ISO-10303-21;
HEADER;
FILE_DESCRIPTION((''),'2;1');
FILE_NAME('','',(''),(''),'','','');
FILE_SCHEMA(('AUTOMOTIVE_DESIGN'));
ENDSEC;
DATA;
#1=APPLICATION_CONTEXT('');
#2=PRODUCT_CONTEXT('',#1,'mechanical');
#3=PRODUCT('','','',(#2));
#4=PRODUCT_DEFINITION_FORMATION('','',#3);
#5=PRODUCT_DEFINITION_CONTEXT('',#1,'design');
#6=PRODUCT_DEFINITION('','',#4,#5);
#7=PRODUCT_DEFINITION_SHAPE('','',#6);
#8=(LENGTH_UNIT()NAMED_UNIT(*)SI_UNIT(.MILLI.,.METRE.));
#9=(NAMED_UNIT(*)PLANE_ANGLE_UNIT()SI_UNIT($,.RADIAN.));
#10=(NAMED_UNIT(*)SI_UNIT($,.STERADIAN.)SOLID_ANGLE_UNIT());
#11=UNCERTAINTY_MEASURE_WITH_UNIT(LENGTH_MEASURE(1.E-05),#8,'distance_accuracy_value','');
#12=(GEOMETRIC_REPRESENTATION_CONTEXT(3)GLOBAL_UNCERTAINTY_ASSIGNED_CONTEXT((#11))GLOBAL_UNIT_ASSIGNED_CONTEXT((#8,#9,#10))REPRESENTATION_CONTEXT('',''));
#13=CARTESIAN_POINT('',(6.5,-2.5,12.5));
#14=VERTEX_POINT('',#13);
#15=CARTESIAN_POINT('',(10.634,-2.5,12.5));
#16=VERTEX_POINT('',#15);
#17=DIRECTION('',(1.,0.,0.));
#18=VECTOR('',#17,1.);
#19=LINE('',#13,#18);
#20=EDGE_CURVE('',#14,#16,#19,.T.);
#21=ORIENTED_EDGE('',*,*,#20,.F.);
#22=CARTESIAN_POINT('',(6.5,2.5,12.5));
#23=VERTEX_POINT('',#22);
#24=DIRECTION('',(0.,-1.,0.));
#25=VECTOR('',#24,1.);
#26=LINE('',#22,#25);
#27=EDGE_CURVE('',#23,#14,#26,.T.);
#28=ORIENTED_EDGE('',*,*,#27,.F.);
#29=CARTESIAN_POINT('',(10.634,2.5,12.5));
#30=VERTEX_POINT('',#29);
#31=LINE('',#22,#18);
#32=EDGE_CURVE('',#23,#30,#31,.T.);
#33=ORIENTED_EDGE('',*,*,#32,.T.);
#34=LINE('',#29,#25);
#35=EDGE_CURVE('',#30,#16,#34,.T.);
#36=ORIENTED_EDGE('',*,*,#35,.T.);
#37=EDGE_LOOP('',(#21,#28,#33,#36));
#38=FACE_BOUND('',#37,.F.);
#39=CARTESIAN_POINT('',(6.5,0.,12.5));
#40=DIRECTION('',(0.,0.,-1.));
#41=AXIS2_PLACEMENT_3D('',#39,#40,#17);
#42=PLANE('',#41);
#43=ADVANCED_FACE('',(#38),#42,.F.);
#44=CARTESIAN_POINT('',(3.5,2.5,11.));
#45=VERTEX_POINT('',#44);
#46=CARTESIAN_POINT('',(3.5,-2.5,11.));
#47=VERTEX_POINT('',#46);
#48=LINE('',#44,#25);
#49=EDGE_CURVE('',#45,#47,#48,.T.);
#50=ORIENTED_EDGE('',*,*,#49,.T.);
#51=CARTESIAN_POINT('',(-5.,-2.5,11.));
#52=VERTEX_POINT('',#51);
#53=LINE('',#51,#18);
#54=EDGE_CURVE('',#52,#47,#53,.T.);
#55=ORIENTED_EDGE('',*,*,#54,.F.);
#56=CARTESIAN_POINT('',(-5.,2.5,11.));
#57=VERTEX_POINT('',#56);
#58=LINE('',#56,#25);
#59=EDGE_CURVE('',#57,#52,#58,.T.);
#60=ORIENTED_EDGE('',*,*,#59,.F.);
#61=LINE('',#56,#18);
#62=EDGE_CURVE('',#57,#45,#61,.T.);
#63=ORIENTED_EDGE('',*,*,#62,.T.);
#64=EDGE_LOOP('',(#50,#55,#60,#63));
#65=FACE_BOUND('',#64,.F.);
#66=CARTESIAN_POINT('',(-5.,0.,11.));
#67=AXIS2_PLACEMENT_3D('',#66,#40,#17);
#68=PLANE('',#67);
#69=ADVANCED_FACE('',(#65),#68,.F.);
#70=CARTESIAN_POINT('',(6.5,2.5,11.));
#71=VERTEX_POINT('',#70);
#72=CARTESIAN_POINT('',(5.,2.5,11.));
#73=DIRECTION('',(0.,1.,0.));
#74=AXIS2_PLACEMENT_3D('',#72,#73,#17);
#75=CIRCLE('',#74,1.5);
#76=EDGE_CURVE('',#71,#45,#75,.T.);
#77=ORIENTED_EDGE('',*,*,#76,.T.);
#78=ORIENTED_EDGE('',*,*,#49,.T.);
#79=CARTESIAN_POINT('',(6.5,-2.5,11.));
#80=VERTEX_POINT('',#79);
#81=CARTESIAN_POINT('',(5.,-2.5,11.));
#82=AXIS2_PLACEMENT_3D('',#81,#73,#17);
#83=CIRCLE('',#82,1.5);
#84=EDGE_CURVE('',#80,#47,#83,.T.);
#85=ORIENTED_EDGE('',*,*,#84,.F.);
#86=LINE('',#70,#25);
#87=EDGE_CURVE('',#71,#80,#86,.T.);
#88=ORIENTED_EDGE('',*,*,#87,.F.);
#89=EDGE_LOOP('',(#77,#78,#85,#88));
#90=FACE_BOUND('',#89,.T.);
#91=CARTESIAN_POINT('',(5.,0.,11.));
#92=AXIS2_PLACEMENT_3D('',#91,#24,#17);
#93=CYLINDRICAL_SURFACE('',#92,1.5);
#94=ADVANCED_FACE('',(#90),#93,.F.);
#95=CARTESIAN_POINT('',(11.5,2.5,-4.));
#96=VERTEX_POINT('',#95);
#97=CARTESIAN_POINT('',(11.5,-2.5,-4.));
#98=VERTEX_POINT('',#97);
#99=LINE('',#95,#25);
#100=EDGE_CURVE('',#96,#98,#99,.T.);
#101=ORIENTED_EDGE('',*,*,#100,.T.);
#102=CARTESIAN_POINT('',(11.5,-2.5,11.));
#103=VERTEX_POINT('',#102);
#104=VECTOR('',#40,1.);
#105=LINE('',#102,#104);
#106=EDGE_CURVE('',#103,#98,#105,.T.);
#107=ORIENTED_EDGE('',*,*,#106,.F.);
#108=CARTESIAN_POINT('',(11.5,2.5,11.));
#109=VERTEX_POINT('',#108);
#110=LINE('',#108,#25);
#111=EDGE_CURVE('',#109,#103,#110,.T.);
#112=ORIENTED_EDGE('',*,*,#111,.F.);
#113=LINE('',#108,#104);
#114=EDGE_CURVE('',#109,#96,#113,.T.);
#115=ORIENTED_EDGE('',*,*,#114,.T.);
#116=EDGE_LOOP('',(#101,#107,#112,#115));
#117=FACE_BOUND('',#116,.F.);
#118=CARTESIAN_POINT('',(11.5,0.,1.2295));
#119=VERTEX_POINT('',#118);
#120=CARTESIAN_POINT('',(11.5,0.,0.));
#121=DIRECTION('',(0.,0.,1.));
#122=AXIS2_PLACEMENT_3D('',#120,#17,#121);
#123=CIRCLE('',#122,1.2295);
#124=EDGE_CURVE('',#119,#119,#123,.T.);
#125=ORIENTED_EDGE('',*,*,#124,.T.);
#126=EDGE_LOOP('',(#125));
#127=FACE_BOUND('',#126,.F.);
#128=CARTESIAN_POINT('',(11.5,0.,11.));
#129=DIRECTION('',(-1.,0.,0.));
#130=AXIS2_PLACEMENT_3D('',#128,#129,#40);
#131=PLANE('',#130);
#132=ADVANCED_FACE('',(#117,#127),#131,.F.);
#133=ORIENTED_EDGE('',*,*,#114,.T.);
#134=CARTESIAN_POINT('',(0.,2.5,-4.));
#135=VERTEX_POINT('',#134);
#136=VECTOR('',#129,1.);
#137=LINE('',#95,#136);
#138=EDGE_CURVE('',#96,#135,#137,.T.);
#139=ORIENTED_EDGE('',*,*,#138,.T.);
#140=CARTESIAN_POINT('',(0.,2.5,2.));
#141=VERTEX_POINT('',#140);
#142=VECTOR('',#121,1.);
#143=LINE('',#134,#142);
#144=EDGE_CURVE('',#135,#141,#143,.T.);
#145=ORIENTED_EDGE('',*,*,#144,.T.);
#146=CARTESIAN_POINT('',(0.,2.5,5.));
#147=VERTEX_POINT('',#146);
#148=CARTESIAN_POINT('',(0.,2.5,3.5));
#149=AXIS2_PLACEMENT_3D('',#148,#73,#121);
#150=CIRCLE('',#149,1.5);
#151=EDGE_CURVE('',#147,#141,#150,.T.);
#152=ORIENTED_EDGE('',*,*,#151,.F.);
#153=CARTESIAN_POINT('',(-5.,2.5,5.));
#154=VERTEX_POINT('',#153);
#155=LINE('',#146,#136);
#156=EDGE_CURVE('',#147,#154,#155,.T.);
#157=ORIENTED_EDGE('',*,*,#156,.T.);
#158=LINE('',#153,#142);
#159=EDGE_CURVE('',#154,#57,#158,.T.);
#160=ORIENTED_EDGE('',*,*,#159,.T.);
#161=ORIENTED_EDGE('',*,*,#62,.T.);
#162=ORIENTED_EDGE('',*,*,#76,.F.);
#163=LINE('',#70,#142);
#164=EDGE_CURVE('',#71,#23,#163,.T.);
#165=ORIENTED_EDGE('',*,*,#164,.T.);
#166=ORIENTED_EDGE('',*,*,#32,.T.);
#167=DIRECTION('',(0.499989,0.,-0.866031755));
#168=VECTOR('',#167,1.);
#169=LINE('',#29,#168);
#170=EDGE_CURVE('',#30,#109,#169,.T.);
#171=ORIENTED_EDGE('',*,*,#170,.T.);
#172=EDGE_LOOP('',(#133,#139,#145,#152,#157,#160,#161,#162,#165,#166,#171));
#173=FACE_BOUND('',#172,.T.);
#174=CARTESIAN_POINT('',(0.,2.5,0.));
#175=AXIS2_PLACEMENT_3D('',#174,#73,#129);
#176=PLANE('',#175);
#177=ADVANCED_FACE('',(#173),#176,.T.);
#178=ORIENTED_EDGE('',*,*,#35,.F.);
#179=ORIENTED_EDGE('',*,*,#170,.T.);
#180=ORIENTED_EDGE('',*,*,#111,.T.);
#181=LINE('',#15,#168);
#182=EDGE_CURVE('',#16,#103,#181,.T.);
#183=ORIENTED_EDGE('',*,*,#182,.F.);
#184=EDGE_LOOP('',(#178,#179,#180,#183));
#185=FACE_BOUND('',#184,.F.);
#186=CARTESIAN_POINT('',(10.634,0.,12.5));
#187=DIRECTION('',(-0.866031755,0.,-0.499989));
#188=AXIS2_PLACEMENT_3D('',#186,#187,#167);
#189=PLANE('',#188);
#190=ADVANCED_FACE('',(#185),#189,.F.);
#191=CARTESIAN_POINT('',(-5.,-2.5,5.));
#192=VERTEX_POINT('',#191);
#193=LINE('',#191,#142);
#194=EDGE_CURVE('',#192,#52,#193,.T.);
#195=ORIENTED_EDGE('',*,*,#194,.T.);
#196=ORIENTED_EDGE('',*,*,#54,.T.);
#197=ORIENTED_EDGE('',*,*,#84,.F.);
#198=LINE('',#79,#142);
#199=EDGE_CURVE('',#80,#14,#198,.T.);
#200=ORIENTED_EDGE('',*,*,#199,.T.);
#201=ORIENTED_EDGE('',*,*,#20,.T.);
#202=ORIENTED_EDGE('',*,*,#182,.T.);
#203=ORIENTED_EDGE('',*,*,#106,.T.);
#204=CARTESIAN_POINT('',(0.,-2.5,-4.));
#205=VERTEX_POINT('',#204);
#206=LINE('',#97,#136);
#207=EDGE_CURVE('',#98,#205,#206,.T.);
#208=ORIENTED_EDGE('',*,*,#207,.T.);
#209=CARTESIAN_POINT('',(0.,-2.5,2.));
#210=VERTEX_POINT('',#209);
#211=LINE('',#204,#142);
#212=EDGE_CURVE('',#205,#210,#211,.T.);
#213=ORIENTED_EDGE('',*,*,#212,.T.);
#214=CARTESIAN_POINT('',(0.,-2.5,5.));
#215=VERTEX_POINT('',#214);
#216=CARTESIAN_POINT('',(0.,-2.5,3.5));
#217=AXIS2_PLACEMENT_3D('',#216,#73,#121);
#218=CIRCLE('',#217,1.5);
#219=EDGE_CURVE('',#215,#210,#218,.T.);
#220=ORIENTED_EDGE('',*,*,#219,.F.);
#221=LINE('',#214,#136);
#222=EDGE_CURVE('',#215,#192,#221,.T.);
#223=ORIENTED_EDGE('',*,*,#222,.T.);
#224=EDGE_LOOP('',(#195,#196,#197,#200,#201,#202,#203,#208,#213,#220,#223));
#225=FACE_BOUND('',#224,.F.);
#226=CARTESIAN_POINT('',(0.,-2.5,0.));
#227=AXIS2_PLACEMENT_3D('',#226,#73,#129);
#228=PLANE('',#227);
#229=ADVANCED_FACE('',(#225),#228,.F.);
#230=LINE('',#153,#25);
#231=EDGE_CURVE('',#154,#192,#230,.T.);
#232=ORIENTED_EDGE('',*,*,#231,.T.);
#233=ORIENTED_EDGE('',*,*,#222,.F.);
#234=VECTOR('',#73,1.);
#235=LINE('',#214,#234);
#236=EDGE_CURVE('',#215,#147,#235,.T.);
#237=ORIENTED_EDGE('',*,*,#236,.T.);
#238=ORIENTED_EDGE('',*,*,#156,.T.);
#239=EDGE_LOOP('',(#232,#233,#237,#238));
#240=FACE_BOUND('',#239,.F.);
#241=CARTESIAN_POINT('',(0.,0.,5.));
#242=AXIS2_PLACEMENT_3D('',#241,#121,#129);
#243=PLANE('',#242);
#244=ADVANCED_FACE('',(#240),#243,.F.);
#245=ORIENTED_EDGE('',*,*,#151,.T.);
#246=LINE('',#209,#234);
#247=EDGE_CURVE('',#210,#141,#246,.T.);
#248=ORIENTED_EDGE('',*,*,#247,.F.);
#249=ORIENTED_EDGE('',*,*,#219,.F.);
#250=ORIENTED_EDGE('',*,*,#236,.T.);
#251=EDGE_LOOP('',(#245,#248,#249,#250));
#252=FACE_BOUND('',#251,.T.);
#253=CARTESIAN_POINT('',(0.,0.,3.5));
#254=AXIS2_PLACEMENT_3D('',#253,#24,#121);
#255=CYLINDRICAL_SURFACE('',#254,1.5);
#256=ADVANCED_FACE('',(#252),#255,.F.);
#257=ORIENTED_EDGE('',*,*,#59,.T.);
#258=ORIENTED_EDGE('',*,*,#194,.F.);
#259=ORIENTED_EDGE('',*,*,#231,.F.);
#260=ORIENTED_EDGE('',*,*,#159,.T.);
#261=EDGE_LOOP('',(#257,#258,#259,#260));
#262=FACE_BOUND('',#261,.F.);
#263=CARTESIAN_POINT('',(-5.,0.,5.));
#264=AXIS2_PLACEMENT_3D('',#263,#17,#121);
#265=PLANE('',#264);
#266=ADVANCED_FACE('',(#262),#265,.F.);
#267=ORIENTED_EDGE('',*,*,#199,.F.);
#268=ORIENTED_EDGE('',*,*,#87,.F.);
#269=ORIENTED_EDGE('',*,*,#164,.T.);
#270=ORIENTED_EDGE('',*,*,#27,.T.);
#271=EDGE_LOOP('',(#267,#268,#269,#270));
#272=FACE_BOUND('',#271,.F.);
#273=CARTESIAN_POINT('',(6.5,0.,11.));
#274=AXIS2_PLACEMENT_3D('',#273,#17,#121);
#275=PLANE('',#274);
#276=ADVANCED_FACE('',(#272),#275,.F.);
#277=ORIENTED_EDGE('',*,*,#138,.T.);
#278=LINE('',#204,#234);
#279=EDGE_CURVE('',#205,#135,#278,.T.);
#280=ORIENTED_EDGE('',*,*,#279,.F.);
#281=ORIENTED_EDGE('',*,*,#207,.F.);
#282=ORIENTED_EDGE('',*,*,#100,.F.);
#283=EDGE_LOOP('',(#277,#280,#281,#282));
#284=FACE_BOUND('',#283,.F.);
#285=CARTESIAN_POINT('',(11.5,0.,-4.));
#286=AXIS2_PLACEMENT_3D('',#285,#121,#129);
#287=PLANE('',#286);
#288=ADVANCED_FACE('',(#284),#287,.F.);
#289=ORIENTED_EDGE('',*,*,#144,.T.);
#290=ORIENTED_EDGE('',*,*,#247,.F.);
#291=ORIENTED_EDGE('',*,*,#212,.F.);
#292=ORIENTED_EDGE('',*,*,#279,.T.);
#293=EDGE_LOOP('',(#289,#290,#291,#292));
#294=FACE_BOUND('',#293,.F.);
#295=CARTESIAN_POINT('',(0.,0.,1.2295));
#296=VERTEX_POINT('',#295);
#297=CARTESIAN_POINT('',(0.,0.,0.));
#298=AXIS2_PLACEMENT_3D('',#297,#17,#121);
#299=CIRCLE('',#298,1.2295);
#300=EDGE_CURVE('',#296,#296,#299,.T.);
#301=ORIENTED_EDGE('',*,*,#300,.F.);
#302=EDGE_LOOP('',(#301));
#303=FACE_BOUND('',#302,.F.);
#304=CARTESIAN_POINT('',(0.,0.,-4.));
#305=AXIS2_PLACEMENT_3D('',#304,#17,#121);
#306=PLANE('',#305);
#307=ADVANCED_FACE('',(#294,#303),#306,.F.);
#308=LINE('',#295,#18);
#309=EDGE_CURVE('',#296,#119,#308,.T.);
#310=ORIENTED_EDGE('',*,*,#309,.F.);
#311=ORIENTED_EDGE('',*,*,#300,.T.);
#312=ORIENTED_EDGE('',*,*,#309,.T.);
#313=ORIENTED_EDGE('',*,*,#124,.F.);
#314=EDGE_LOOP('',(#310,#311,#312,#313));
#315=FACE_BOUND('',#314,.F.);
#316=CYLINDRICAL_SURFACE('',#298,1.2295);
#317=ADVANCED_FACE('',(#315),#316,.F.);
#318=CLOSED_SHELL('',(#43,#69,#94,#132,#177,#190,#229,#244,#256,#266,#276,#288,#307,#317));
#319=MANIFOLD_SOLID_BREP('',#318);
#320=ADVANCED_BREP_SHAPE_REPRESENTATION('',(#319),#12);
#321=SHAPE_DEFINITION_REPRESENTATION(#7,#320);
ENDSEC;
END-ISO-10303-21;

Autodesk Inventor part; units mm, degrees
ref_plane "YZ Plane" through (0, 0, 0) normal (1, 0, 0) x (0, 1, 0)
ref_plane "XZ Plane" through (0, 0, 0) normal (0, 1, 0) x (-1, 0, 0)
ref_plane "XY Plane" through (0, 0, 0) normal (0, 0, 1) x (1, 0, 0)
sketch "Sketch1" plane through (0, 0, 0) normal (0, 1, 0) x (-1, 0, 0)
  line L0 (0, -4) -> (0, 5)
  line L1 (0, 5) -> (5, 5)
  line L2 (5, 5) -> (5, 11)
  line L3 (5, 11) -> (-6.5, 11)
  line L4 (-6.5, 11) -> (-6.5, 12.5)
  line L5 (-6.5, 12.5) -> (-10.634, 12.5)
  line L6 (-10.634, 12.5) -> (-11.5, 11)
  line L7 (-11.5, 11) -> (-11.5, -4)
  line L8 (-11.5, -4) -> (0, -4)
  line L9 (0, 0) -> (-4.5, 0) construction
  arc A0 (0, 5) -> (0, 2) centre (0, 3.5) ccw
  arc A1 (-6.5, 11) -> (-3.5, 11) centre (-5, 11) ccw
  dimension "d0" = 5
  dimension "d1" = 6
  dimension "d2" = 15
  dimension "d3" = 4.5
  dimension "d4" = 1.5
  dimension "d5" = 1.5
  dimension "d6" = 6.5
  dimension "d7" = 30
  dimension "d8" = 5
  dimension "d18" = 4
extrude "Extrusion1" add sketch "Sketch1" along normal mid plane 5 contours L8 L7 L6 L5 L4 A1 L3 L2 L1 A0 L0
sketch "Sketch2" plane through (0, -2.5, 2) normal (-1, 0, 0) x (0, 0, 1)
  point P0 (-2, 2.5)
  point P1 (-2, 2.5)
hole "Hole1" at (0, 0, 0) direction (1, 0, 0) diameter 2.459 end through all thread size "M3x0.5" class "6H" standard "ANSI Metric M Profile"
properties part number "TorsoElectronicBoxLatchFrame" material "Acetal Resin, Black"
